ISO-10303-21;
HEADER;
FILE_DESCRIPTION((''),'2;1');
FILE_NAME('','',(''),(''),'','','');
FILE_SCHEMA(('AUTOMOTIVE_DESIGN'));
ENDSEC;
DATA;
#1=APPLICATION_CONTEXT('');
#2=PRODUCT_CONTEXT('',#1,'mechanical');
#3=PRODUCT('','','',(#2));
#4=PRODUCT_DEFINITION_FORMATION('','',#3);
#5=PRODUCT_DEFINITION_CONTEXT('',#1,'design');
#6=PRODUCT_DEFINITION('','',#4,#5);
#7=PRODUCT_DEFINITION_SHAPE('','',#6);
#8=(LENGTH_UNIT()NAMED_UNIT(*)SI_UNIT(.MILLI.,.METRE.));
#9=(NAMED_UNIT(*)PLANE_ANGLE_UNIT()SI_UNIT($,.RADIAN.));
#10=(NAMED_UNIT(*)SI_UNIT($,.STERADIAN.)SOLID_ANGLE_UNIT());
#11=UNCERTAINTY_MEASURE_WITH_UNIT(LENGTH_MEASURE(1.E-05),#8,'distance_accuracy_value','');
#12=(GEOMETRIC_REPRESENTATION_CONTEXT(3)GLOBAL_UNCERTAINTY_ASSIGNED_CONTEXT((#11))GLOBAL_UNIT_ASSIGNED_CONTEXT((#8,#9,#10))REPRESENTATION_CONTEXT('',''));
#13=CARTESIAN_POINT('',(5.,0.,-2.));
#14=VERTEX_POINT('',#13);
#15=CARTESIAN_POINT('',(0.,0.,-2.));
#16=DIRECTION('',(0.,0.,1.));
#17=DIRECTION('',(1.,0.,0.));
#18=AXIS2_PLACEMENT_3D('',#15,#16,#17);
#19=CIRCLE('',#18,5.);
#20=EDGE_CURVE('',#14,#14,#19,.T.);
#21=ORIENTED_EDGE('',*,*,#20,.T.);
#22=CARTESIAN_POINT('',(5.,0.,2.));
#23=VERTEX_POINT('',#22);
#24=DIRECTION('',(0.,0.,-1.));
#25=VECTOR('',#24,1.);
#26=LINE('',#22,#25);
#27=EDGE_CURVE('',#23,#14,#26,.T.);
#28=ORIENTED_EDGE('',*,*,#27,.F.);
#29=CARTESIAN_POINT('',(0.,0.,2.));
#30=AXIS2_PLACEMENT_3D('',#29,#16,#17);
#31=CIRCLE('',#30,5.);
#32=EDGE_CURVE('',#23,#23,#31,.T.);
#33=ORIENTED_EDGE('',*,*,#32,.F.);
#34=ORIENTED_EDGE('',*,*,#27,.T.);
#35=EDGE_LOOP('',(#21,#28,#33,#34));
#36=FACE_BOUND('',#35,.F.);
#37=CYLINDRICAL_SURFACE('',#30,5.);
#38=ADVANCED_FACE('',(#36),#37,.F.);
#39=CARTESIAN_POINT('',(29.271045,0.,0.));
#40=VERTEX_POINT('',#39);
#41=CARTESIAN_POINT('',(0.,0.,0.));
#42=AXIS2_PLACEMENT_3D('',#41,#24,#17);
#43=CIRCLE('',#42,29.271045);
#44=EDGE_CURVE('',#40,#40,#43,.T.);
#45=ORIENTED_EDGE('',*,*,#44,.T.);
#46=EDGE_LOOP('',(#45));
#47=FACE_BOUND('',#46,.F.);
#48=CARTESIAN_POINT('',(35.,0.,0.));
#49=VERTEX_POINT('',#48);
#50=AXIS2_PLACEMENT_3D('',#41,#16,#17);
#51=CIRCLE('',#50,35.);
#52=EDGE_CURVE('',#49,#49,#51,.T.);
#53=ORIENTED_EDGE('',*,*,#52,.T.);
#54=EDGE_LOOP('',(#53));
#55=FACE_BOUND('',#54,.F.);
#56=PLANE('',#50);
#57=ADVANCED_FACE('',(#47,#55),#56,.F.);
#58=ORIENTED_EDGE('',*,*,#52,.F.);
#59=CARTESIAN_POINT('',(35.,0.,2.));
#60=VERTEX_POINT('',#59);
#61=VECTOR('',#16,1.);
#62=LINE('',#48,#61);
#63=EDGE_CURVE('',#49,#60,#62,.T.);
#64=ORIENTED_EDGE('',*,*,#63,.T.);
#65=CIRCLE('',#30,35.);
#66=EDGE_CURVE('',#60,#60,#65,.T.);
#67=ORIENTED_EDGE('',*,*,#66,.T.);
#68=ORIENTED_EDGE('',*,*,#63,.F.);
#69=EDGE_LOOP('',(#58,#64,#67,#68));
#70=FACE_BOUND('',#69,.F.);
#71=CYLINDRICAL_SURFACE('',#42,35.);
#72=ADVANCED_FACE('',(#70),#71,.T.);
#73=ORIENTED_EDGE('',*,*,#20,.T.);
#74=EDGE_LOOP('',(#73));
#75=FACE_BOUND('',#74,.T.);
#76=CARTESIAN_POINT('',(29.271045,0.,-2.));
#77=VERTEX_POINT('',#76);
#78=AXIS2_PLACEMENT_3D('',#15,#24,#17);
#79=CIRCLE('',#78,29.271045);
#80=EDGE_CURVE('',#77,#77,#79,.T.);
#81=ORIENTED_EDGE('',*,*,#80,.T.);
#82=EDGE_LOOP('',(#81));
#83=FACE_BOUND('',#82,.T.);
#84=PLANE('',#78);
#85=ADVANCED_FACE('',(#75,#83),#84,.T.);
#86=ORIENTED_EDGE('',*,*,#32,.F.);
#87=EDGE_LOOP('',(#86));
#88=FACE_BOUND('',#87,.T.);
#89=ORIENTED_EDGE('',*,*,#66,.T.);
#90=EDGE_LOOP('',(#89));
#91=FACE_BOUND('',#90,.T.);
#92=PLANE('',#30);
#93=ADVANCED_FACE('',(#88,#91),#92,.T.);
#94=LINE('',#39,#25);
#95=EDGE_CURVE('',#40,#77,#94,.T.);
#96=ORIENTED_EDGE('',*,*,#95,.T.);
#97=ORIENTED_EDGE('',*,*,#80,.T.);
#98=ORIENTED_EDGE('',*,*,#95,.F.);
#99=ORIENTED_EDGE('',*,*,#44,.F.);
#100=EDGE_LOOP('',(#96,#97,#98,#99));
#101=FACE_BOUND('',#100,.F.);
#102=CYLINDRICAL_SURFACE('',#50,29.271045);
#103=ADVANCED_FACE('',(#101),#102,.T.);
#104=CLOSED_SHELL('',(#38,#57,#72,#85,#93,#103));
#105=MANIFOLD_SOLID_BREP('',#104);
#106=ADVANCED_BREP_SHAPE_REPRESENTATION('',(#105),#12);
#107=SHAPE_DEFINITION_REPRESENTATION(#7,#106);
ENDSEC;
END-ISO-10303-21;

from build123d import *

# Parameters (mm, degrees)
F0_R     = 35
F1_DEPTH = 2
F2_R     = 29.271045
F3_DEPTH = 2
F4_R     = 5
F5_DEPTH = 4


with BuildPart() as f1:
    # F0 (on Top) → F1 (new body)
    with BuildSketch(Plane.XY):
        Circle(F0_R)
    extrude(amount=F1_DEPTH)

    # F2 (on face) → F3 (join)
    with BuildSketch(Plane(origin=(0, 0, 0), x_dir=(1, 0, 0), z_dir=(0, 0, -1))):
        Circle(F2_R)
    extrude(amount=F3_DEPTH)

    # F4 (on face) → F5 (cut, through all)
    with BuildSketch(Plane.XY.offset(2)):
        Circle(F4_R)
    extrude(amount=-F5_DEPTH, mode=Mode.SUBTRACT)


solid = f1.part
